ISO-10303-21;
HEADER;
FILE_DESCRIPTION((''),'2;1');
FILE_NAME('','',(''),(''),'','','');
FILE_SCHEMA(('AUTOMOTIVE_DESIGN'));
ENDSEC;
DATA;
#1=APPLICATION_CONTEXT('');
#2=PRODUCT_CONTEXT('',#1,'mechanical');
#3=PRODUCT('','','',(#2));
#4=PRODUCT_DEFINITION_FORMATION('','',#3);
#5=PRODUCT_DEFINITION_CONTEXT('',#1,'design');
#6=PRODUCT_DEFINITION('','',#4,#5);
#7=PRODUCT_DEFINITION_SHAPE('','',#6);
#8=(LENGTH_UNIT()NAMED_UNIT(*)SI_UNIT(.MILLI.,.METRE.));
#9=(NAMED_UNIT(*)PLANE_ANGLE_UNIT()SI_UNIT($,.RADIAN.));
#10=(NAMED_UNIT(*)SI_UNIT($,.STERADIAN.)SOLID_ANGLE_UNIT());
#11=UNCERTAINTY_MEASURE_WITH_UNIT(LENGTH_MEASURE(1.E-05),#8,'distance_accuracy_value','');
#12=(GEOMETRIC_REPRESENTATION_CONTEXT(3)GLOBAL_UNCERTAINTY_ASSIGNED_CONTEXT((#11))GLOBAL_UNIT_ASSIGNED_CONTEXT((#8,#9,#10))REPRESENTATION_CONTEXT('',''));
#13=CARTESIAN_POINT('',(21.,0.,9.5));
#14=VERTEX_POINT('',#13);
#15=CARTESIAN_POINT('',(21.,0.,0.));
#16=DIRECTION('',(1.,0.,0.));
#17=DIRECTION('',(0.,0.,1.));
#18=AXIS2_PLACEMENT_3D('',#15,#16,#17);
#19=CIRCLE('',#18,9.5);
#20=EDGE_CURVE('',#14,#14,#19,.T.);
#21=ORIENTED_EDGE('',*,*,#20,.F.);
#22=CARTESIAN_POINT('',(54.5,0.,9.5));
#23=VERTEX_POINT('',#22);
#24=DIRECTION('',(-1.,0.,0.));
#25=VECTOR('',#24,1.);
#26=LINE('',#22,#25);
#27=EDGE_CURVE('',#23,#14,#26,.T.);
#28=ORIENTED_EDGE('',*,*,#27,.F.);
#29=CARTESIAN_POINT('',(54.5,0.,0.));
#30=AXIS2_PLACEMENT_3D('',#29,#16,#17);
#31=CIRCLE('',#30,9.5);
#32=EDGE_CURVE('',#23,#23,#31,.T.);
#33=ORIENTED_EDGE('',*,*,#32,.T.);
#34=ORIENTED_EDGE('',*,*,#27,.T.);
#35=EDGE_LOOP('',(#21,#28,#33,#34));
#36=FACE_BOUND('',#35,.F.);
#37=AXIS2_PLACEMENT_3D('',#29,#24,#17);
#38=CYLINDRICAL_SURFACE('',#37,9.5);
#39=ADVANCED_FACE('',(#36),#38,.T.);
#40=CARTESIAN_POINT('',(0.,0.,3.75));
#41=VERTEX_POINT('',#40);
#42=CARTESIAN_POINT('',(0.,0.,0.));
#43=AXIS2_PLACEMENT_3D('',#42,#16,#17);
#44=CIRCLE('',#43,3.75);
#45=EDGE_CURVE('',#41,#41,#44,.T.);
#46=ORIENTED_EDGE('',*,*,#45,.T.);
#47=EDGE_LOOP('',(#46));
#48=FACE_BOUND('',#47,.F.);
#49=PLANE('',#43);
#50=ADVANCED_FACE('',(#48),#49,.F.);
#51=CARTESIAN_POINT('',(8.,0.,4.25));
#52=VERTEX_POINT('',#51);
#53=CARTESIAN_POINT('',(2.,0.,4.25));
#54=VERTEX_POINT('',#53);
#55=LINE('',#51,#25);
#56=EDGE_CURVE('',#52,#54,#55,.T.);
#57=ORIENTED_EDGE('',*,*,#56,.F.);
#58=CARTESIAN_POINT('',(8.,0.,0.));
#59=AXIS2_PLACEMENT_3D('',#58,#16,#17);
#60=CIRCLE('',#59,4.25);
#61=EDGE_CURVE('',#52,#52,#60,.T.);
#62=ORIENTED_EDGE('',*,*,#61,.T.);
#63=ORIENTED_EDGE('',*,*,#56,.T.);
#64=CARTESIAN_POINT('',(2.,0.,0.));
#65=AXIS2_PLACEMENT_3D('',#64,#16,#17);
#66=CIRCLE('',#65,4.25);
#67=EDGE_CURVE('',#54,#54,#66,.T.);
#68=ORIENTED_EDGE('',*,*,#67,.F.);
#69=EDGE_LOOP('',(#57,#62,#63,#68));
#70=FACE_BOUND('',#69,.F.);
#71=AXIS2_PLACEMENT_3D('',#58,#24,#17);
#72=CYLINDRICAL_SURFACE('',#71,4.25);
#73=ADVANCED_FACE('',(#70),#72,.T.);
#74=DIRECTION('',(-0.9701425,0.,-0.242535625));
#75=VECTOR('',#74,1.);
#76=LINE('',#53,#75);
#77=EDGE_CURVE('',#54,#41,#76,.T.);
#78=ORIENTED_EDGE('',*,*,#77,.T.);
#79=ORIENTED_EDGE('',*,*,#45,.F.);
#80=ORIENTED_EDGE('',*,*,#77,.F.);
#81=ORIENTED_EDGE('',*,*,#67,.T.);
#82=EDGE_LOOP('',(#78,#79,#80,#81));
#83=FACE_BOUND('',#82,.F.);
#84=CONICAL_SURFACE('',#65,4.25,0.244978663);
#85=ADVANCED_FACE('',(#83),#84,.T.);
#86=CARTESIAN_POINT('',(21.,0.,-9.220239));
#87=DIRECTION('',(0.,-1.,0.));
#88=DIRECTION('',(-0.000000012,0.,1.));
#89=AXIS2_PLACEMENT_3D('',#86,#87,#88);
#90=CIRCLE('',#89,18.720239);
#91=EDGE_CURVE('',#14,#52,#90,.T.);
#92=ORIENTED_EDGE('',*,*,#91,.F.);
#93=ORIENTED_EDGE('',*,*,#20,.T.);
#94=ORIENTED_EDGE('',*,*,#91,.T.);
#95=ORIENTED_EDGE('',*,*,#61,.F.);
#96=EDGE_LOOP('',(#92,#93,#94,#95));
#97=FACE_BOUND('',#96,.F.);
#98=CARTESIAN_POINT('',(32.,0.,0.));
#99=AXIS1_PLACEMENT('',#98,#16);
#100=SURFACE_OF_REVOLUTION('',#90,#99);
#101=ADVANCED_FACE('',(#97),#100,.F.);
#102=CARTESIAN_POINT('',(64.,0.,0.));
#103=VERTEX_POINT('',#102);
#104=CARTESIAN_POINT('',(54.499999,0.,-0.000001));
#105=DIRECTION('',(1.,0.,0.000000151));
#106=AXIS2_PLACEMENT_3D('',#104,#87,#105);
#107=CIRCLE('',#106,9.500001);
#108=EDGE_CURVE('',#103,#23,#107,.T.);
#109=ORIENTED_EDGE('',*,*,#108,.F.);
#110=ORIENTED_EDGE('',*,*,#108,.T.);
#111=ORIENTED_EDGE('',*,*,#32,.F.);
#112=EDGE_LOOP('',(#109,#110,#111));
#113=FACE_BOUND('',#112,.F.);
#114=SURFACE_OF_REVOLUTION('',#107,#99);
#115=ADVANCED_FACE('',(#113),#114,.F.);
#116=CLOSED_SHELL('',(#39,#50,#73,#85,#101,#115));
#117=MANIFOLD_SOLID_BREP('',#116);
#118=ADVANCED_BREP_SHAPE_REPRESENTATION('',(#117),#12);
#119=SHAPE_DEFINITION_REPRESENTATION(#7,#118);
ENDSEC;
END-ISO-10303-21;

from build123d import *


with BuildPart() as f1:
    # F0 (on Front) → F1 (revolve)
    with BuildSketch(Plane.XZ):
        with BuildLine():
            Line((0, 3.75), (0, 0))
            Line((0, 0), (54.5, 0))
            Line((54.5, 0), (64, 0))
            ThreePointArc((64, 0), (61.217514, 6.717514), (54.5, 9.5))
            Line((54.5, 9.5), (21, 9.5))
            ThreePointArc((21, 9.5), (13.989963, 8.13795), (8, 4.25))
            Line((8, 4.25), (2, 4.25))
            Line((2, 4.25), (0, 3.75))
        make_face()
    revolve(axis=Axis((32, 0, 0), (1, 0, 0)))


solid = f1.part
